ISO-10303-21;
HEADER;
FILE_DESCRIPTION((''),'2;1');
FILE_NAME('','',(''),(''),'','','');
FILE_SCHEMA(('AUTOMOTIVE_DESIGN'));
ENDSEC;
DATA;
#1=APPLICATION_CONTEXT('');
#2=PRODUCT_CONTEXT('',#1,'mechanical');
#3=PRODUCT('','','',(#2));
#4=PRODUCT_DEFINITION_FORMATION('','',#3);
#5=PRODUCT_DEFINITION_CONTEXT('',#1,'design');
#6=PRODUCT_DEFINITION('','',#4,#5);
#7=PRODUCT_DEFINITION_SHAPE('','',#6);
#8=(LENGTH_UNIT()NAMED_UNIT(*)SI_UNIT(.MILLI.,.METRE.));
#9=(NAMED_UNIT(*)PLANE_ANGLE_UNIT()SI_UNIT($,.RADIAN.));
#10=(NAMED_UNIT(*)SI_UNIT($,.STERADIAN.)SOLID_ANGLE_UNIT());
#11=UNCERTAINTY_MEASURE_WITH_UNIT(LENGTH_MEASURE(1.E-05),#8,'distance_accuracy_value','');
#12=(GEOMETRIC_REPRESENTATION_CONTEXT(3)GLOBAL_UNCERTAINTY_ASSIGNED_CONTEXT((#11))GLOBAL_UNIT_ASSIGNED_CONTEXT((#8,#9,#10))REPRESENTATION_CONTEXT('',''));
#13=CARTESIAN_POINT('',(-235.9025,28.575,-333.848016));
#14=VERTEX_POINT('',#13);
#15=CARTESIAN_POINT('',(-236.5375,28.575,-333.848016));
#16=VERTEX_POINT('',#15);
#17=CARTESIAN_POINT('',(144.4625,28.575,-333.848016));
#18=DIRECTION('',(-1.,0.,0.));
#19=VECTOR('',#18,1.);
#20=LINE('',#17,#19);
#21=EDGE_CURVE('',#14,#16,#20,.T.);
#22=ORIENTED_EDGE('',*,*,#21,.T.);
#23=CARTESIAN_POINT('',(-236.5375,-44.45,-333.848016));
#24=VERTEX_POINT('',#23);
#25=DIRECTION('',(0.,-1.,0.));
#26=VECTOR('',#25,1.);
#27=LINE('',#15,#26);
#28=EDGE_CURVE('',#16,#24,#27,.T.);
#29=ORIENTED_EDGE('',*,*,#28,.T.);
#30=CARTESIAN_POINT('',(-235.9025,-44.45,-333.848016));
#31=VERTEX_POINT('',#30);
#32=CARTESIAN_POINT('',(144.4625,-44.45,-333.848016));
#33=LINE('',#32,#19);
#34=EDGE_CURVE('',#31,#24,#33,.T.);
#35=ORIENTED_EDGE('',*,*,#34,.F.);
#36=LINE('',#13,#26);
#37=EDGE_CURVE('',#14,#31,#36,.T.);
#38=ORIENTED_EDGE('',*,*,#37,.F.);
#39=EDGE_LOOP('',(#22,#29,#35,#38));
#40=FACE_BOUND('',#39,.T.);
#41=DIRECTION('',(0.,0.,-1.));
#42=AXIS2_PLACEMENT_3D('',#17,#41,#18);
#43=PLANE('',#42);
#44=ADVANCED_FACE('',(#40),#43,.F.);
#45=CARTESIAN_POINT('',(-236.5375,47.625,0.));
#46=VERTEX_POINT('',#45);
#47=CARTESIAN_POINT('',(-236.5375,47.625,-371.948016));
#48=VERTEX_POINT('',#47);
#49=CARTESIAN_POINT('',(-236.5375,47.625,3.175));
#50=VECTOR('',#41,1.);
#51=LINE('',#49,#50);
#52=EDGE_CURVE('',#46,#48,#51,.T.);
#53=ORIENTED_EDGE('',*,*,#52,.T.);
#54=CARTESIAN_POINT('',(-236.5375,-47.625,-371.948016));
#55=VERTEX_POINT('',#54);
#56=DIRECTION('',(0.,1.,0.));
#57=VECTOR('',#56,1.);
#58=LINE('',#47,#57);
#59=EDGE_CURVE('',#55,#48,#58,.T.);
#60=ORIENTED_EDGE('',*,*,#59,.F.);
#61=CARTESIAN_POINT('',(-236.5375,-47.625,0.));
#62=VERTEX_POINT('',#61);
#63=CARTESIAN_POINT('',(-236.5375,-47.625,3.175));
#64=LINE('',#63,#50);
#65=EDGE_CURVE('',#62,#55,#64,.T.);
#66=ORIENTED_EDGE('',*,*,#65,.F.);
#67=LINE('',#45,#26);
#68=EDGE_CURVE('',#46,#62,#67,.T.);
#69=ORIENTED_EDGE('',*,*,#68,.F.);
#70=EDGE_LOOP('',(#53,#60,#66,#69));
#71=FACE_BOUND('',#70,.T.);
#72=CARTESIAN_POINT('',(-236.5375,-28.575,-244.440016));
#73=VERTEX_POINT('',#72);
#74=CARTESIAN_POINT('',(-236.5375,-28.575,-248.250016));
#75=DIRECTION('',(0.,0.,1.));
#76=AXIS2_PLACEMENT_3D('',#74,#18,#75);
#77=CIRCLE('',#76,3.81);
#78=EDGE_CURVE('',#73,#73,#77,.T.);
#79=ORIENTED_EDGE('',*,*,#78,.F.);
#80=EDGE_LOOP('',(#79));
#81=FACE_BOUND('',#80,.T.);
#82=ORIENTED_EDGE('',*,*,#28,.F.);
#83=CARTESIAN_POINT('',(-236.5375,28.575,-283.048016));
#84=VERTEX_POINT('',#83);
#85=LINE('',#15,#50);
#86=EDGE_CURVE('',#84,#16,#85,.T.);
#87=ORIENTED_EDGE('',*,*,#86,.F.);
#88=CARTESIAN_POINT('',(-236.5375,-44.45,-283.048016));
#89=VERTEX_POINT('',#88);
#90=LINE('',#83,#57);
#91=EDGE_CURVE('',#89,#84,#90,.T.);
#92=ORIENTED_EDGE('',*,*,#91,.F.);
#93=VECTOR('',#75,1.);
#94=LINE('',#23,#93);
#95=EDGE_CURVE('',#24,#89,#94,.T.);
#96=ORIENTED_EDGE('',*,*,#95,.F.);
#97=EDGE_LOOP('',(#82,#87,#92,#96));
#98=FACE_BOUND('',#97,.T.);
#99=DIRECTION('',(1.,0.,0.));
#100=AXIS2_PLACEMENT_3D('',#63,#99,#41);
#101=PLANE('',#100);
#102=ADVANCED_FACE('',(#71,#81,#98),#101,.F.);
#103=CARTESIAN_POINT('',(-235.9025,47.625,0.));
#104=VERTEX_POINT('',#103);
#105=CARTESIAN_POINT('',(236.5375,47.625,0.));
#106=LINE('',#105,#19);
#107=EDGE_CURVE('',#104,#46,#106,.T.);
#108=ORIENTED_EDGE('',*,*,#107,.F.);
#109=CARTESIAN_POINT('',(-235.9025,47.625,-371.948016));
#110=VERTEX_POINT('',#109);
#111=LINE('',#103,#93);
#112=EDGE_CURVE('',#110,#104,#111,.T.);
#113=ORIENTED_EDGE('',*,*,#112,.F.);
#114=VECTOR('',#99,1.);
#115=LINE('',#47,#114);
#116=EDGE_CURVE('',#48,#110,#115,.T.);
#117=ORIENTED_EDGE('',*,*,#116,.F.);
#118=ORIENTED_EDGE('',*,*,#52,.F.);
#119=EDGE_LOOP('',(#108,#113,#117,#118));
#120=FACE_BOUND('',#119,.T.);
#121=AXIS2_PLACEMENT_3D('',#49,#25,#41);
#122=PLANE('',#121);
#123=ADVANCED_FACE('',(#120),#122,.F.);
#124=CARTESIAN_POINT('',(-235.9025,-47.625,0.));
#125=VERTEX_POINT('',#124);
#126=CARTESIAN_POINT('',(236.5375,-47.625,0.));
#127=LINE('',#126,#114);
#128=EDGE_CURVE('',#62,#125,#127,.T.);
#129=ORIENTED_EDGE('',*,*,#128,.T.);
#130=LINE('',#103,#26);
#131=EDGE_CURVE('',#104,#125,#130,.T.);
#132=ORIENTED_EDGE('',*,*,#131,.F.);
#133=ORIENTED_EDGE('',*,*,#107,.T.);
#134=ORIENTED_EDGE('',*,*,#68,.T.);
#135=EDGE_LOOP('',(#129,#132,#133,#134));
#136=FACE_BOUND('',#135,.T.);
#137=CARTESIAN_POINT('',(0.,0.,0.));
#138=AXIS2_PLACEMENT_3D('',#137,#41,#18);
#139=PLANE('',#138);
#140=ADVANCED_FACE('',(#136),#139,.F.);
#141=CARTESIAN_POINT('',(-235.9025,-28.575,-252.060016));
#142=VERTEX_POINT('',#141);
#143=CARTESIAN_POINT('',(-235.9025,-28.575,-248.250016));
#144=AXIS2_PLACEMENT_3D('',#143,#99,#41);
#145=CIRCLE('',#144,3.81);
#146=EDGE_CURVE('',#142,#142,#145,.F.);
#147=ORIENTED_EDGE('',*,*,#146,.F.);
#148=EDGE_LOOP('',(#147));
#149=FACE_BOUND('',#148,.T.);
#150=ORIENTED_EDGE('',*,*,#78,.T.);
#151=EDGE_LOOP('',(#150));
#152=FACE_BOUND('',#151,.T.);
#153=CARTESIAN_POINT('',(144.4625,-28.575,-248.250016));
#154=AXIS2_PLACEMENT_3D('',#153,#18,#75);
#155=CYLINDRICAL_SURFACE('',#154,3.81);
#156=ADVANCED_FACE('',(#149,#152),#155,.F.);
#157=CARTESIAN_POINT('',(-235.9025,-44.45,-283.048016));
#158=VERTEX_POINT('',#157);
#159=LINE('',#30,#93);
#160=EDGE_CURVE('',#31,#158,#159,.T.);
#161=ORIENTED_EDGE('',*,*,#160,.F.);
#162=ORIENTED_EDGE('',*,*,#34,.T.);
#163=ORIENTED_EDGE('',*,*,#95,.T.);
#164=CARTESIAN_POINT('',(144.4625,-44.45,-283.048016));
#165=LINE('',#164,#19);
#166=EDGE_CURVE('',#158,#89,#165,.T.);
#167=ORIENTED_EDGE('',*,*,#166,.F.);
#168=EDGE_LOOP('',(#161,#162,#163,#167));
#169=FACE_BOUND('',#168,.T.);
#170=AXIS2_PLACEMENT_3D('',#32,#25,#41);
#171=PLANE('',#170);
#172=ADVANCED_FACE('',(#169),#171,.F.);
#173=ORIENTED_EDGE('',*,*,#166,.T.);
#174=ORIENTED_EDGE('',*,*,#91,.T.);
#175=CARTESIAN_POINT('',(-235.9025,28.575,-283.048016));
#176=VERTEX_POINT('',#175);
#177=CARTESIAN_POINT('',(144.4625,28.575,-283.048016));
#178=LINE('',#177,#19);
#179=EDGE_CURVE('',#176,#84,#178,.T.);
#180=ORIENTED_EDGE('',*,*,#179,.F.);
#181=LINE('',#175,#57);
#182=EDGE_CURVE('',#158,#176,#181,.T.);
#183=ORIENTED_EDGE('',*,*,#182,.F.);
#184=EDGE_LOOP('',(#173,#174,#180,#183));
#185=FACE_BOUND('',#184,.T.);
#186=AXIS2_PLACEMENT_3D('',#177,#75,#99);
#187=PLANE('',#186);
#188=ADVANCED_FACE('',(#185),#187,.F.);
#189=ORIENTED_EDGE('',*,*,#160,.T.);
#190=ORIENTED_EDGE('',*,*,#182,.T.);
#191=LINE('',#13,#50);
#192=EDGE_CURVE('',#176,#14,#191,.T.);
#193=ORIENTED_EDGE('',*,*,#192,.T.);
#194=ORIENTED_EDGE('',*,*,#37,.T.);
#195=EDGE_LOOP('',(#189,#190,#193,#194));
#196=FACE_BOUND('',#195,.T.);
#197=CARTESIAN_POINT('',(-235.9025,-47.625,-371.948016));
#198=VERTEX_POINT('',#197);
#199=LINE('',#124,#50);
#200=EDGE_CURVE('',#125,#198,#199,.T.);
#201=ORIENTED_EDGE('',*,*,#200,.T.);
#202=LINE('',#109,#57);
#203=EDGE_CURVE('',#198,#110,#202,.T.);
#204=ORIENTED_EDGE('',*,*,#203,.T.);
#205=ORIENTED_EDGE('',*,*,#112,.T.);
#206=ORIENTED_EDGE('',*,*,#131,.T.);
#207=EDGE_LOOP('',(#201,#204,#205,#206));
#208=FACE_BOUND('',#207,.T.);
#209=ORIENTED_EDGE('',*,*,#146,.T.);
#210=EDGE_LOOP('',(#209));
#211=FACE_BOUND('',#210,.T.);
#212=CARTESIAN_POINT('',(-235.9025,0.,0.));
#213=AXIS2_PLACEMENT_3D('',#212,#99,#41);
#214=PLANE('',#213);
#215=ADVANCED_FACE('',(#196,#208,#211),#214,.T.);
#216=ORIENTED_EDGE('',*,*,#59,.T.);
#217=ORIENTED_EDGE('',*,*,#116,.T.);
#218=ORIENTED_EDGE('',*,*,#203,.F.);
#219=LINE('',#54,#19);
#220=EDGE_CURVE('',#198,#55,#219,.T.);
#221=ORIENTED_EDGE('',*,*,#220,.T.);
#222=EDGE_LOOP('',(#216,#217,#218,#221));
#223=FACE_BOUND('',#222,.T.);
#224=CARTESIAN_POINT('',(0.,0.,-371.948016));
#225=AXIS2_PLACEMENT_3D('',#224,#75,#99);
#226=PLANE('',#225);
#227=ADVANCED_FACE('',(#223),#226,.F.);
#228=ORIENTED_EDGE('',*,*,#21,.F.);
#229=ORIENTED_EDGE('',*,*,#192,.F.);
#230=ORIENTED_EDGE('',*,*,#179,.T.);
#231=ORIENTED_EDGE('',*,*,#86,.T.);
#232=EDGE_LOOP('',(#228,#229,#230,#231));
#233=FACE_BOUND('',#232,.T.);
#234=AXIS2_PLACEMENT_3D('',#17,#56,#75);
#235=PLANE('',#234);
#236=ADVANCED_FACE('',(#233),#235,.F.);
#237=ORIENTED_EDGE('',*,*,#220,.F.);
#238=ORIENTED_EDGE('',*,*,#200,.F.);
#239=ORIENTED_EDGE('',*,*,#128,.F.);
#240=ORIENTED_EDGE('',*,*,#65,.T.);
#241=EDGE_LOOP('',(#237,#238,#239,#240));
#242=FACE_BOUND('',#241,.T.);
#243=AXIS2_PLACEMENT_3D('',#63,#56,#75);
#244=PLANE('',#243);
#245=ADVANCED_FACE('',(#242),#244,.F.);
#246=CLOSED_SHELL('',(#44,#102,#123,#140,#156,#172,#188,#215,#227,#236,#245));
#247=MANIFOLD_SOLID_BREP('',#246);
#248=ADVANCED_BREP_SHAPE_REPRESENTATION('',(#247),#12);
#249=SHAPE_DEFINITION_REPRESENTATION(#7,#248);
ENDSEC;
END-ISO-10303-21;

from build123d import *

# Parameters (mm, degrees)
SKETCH1_W           = 473.075
SKETCH1_H           = 95.25
BOSS_EXTRUDE1_DEPTH = 3.175
SKETCH3_W           = 78.74
SKETCH3_H           = 51.308
CUT_EXTRUDE2_DEPTH  = 242.305221983
SKETCH4_R           = 8.255
CUT_EXTRUDE3_DEPTH  = 242.305221983
SKETCH5_R           = 1.5875
CUT_EXTRUDE4_DEPTH  = 242.305221983
SKETCH6_W           = 3.175
SKETCH6_H           = 95.25
BOSS_EXTRUDE2_DEPTH = 371.948016105
SKETCH7_R           = 3.81
SKETCH7_W           = 50.8
SKETCH7_H           = 73.025
CUT_EXTRUDE5_DEPTH  = 381
CUT_EXTRUDE6_DEPTH  = 381
SKETCH12_W          = 371.948016105
SKETCH12_H          = 95.25
CUT_EXTRUDE7_DEPTH  = 2.54
SKETCH14_W          = 473.075
SKETCH14_H          = 95.25
CUT_EXTRUDE8_DEPTH  = 3.175


with BuildPart() as part:
    # Sketch1 → Boss-Extrude1 (new body)
    with BuildSketch(Plane.XY):
        Rectangle(SKETCH1_W, SKETCH1_H)
    extrude(amount=BOSS_EXTRUDE1_DEPTH)

    # Sketch3 → Cut-Extrude2 (cut, through all)
    with BuildSketch(Plane.XY.offset(3.175)):
        with Locations((0, 6.731)):
            Rectangle(SKETCH3_W, SKETCH3_H)
    extrude(amount=-CUT_EXTRUDE2_DEPTH, mode=Mode.SUBTRACT)

    # Sketch4 → Cut-Extrude3 (cut, through all)
    with BuildSketch(Plane.XY.offset(3.175)):
        with Locations((37.592, -35.814)):
            Circle(SKETCH4_R)
    extrude(amount=-CUT_EXTRUDE3_DEPTH, mode=Mode.SUBTRACT)

    # Sketch5 → Cut-Extrude4 (cut, through all)
    with BuildSketch(Plane.XY.offset(3.175)):
        with Locations((-44.196, 40.259)):
            Circle(SKETCH5_R)
        with Locations((44.196, 40.259)):
            Circle(SKETCH5_R)
        with Locations((-44.196, -24.765)):
            Circle(SKETCH5_R)
        with Locations((44.196, -24.765)):
            Circle(SKETCH5_R)
    extrude(amount=-CUT_EXTRUDE4_DEPTH, mode=Mode.SUBTRACT)

    # Sketch6 → Boss-Extrude2 (add)
    with BuildSketch(Plane(origin=(0, 0, 0), x_dir=(-1, 0, 0), z_dir=(0, 0, -1))):
        with Locations((234.95, 0)):
            Rectangle(SKETCH6_W, SKETCH6_H)
    extrude(amount=BOSS_EXTRUDE2_DEPTH)

    # Sketch7 → Cut-Extrude5 (cut)
    with BuildSketch(Plane.ZY.offset(236.5375)):
        with Locations((-248.250016105, -28.575)):
            Circle(SKETCH7_R)
        with Locations((-308.448016105, -7.9375)):
            Rectangle(SKETCH7_W, SKETCH7_H)
    extrude(amount=-CUT_EXTRUDE5_DEPTH, mode=Mode.SUBTRACT)

    # Sketch8 → Cut-Extrude6 (cut)
    with BuildSketch(Plane.XY.offset(3.175)):
        with BuildLine():
            Line((88.9, 31.75), (215.9, 31.75))
            ThreePointArc((215.9, 31.75), (219.71, 27.94), (215.9, 24.13))
            Line((215.9, 24.13), (88.9, 24.13))
            ThreePointArc((88.9, 24.13), (85.09, 27.94), (88.9, 31.75))
        make_face()
        with BuildLine():
            Line((88.9, 12.563594852), (215.9, 12.563594852))
            ThreePointArc((215.9, 12.563594852), (219.71, 8.753594852), (215.9, 4.943594852))
            Line((215.9, 4.943594852), (88.9, 4.943594852))
            ThreePointArc((88.9, 4.943594852), (85.09, 8.753594852), (88.9, 12.563594852))
        make_face()
        with BuildLine():
            Line((88.9, -6.256272006), (215.9, -6.256272006))
            ThreePointArc((215.9, -6.256272006), (219.71, -10.066272006), (215.9, -13.876272006))
            Line((215.9, -13.876272006), (88.9, -13.876272006))
            ThreePointArc((88.9, -13.876272006), (85.09, -10.066272006), (88.9, -6.256272006))
        make_face()
        with BuildLine():
            Line((88.9, -24.84600572), (215.9, -24.84600572))
            ThreePointArc((215.9, -24.84600572), (219.71, -28.65600572), (215.9, -32.46600572))
            Line((215.9, -32.46600572), (88.9, -32.46600572))
            ThreePointArc((88.9, -32.46600572), (85.09, -28.65600572), (88.9, -24.84600572))
        make_face()
        with BuildLine():
            Line((-88.9, -24.84600572), (-215.9, -24.84600572))
            ThreePointArc((-215.9, -24.84600572), (-219.71, -28.65600572), (-215.9, -32.46600572))
            Line((-215.9, -32.46600572), (-88.9, -32.46600572))
            ThreePointArc((-88.9, -32.46600572), (-85.09, -28.65600572), (-88.9, -24.84600572))
        make_face()
        with BuildLine():
            Line((-88.9, -6.256272006), (-215.9, -6.256272006))
            ThreePointArc((-215.9, -6.256272006), (-219.71, -10.066272006), (-215.9, -13.876272006))
            Line((-215.9, -13.876272006), (-88.9, -13.876272006))
            ThreePointArc((-88.9, -13.876272006), (-85.09, -10.066272006), (-88.9, -6.256272006))
        make_face()
        with BuildLine():
            Line((-88.9, 12.563594852), (-215.9, 12.563594852))
            ThreePointArc((-215.9, 12.563594852), (-219.71, 8.753594852), (-215.9, 4.943594852))
            Line((-215.9, 4.943594852), (-88.9, 4.943594852))
            ThreePointArc((-88.9, 4.943594852), (-85.09, 8.753594852), (-88.9, 12.563594852))
        make_face()
        with BuildLine():
            Line((-88.9, 31.75), (-215.9, 31.75))
            ThreePointArc((-215.9, 31.75), (-219.71, 27.94), (-215.9, 24.13))
            Line((-215.9, 24.13), (-88.9, 24.13))
            ThreePointArc((-88.9, 24.13), (-85.09, 27.94), (-88.9, 31.75))
        make_face()
    extrude(amount=-CUT_EXTRUDE6_DEPTH, mode=Mode.SUBTRACT)

    # Sketch12 → Cut-Extrude7 (cut)
    with BuildSketch(Plane(origin=(-233.3625, 0, 0), x_dir=(0, 0, -1), z_dir=(1, 0, 0))):
        with Locations((185.974008053, 0)):
            Rectangle(SKETCH12_W, SKETCH12_H)
    extrude(amount=-CUT_EXTRUDE7_DEPTH, mode=Mode.SUBTRACT)

    # Sketch14 → Cut-Extrude8 (cut)
    with BuildSketch(Plane.XY.offset(3.175)):
        Rectangle(SKETCH14_W, SKETCH14_H)
    extrude(amount=-CUT_EXTRUDE8_DEPTH, mode=Mode.SUBTRACT)


solid = part.part
